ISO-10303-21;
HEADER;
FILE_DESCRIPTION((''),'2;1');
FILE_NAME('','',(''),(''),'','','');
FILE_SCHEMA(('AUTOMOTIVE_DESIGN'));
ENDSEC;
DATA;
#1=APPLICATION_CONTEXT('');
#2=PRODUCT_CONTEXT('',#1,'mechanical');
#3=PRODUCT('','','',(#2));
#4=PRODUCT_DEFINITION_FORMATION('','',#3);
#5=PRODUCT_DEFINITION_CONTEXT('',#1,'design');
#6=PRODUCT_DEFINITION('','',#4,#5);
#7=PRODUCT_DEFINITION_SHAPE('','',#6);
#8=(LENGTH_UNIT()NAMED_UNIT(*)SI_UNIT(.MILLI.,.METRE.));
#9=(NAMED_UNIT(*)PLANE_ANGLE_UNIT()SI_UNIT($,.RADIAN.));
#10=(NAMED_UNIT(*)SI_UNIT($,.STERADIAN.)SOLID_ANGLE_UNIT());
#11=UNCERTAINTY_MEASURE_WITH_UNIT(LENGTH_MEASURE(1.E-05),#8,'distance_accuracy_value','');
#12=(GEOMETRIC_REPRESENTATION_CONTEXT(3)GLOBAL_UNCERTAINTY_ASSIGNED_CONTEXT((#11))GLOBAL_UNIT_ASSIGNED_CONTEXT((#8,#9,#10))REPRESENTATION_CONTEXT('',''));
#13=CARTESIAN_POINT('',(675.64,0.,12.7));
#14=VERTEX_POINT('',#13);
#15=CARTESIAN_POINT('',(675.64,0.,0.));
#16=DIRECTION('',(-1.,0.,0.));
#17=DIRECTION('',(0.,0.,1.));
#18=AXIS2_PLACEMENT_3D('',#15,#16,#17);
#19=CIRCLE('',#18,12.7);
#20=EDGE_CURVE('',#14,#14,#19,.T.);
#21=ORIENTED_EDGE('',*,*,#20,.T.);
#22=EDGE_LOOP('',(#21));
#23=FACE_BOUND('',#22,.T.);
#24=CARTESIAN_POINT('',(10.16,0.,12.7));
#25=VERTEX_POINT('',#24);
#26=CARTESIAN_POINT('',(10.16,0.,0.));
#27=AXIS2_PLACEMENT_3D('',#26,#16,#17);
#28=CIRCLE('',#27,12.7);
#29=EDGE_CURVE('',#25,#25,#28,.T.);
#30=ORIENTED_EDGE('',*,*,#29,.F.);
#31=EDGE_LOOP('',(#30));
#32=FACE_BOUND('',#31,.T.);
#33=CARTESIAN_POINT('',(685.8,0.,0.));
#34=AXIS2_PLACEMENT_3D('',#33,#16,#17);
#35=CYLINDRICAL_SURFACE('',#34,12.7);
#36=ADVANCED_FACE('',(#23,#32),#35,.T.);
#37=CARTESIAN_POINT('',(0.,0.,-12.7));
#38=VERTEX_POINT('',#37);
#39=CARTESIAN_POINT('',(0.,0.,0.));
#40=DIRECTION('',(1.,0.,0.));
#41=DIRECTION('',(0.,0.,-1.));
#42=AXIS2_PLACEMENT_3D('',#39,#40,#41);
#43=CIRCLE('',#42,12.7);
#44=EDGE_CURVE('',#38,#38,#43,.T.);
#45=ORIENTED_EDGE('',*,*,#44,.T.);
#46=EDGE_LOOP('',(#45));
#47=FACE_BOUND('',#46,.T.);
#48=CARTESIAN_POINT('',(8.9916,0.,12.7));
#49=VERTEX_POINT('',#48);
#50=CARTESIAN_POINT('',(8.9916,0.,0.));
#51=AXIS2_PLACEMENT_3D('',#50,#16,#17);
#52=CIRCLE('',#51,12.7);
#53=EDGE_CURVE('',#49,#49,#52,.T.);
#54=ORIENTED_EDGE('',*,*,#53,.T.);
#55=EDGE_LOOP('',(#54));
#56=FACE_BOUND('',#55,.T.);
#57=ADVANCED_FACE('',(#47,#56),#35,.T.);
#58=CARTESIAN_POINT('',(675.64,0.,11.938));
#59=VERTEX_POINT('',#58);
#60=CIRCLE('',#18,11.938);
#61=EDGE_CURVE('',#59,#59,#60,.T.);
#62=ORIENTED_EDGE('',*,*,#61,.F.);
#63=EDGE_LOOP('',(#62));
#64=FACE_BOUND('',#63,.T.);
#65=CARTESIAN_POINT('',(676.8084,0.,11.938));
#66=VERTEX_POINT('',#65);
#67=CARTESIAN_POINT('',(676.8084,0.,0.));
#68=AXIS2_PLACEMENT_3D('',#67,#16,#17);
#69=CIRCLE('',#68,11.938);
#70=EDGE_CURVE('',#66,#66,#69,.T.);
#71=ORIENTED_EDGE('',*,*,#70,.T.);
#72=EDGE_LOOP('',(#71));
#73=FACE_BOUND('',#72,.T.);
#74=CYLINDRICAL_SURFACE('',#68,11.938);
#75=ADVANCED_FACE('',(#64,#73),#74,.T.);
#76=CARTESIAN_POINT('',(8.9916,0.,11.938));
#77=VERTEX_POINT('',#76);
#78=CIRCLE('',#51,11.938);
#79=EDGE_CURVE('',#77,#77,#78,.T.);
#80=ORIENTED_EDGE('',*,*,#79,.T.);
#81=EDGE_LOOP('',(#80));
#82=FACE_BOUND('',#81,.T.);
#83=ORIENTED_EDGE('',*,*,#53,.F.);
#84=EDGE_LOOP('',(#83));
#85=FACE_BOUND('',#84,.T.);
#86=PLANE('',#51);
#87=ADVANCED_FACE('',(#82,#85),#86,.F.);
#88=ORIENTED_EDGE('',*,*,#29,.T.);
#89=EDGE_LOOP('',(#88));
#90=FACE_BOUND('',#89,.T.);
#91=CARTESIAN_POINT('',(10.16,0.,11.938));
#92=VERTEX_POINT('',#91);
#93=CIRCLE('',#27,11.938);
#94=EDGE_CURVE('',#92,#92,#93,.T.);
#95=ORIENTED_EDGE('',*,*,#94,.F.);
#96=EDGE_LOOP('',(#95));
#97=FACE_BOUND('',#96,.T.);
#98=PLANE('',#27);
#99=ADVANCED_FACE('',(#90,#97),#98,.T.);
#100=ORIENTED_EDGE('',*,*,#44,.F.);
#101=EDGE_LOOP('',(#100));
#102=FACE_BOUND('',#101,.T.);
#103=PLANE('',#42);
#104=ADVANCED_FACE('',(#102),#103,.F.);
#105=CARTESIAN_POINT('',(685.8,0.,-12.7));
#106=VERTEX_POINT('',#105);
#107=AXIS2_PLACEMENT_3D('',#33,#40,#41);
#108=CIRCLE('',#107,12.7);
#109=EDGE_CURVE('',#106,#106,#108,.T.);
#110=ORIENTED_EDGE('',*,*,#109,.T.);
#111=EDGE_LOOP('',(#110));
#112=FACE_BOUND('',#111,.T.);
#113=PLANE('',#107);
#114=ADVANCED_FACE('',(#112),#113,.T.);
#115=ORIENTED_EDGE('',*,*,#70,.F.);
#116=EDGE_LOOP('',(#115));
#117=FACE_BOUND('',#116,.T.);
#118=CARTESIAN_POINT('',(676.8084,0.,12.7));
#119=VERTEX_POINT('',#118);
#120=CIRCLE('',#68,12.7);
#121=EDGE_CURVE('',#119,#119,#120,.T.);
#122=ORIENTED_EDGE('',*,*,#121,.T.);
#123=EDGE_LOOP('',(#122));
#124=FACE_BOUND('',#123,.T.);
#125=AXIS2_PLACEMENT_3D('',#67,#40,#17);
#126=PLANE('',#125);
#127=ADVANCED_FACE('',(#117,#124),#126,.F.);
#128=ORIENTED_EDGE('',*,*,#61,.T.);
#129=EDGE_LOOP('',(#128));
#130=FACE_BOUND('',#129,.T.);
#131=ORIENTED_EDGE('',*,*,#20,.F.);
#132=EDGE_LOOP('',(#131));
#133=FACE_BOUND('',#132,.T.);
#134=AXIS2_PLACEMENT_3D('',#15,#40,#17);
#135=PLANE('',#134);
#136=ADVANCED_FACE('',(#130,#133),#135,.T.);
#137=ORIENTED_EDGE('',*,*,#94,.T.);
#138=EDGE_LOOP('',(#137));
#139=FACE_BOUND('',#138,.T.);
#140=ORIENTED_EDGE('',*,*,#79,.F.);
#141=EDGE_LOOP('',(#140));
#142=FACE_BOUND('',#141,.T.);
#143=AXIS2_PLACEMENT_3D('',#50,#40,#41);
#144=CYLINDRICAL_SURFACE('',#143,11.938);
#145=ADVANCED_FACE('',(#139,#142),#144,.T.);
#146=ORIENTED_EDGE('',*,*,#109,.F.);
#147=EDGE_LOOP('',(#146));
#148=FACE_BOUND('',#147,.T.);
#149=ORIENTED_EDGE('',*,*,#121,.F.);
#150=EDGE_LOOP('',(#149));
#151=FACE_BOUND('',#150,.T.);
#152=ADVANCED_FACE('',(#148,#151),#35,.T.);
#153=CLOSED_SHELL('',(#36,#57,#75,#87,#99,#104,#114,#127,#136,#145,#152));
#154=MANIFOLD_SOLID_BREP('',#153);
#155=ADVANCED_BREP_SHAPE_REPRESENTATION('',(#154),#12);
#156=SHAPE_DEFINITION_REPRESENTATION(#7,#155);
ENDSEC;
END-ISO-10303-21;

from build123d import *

# Parameters (mm, degrees)
SKETCH1_R           = 12.7
BOSS_EXTRUDE1_DEPTH = 685.8
CUT_EXTRUDE1_START  = 1.1684
SKETCH2_R           = 12.7
SKETCH2_R_2         = 11.938
CUT_EXTRUDE1_DEPTH  = 1.1684


with BuildPart() as part:
    # Sketch1 → Boss-Extrude1 (new body)
    with BuildSketch(Plane(origin=(0, 0, 0), x_dir=(0, 0, -1), z_dir=(1, 0, 0))):
        Circle(SKETCH1_R)
    extrude(amount=BOSS_EXTRUDE1_DEPTH)

    # Sketch2 → Cut-Extrude1 (cut)
    with BuildSketch(Plane.ZY.offset(-10.16).offset(CUT_EXTRUDE1_START)):
        Circle(SKETCH2_R)
        Circle(SKETCH2_R_2, mode=Mode.SUBTRACT)
    cut_extrude1 = extrude(amount=-CUT_EXTRUDE1_DEPTH, mode=Mode.SUBTRACT)

    # Mirror1: Cut-Extrude1 across plane
    add(cut_extrude1.mirror(Plane.ZY.offset(-342.9)), mode=Mode.SUBTRACT)


solid = part.part
